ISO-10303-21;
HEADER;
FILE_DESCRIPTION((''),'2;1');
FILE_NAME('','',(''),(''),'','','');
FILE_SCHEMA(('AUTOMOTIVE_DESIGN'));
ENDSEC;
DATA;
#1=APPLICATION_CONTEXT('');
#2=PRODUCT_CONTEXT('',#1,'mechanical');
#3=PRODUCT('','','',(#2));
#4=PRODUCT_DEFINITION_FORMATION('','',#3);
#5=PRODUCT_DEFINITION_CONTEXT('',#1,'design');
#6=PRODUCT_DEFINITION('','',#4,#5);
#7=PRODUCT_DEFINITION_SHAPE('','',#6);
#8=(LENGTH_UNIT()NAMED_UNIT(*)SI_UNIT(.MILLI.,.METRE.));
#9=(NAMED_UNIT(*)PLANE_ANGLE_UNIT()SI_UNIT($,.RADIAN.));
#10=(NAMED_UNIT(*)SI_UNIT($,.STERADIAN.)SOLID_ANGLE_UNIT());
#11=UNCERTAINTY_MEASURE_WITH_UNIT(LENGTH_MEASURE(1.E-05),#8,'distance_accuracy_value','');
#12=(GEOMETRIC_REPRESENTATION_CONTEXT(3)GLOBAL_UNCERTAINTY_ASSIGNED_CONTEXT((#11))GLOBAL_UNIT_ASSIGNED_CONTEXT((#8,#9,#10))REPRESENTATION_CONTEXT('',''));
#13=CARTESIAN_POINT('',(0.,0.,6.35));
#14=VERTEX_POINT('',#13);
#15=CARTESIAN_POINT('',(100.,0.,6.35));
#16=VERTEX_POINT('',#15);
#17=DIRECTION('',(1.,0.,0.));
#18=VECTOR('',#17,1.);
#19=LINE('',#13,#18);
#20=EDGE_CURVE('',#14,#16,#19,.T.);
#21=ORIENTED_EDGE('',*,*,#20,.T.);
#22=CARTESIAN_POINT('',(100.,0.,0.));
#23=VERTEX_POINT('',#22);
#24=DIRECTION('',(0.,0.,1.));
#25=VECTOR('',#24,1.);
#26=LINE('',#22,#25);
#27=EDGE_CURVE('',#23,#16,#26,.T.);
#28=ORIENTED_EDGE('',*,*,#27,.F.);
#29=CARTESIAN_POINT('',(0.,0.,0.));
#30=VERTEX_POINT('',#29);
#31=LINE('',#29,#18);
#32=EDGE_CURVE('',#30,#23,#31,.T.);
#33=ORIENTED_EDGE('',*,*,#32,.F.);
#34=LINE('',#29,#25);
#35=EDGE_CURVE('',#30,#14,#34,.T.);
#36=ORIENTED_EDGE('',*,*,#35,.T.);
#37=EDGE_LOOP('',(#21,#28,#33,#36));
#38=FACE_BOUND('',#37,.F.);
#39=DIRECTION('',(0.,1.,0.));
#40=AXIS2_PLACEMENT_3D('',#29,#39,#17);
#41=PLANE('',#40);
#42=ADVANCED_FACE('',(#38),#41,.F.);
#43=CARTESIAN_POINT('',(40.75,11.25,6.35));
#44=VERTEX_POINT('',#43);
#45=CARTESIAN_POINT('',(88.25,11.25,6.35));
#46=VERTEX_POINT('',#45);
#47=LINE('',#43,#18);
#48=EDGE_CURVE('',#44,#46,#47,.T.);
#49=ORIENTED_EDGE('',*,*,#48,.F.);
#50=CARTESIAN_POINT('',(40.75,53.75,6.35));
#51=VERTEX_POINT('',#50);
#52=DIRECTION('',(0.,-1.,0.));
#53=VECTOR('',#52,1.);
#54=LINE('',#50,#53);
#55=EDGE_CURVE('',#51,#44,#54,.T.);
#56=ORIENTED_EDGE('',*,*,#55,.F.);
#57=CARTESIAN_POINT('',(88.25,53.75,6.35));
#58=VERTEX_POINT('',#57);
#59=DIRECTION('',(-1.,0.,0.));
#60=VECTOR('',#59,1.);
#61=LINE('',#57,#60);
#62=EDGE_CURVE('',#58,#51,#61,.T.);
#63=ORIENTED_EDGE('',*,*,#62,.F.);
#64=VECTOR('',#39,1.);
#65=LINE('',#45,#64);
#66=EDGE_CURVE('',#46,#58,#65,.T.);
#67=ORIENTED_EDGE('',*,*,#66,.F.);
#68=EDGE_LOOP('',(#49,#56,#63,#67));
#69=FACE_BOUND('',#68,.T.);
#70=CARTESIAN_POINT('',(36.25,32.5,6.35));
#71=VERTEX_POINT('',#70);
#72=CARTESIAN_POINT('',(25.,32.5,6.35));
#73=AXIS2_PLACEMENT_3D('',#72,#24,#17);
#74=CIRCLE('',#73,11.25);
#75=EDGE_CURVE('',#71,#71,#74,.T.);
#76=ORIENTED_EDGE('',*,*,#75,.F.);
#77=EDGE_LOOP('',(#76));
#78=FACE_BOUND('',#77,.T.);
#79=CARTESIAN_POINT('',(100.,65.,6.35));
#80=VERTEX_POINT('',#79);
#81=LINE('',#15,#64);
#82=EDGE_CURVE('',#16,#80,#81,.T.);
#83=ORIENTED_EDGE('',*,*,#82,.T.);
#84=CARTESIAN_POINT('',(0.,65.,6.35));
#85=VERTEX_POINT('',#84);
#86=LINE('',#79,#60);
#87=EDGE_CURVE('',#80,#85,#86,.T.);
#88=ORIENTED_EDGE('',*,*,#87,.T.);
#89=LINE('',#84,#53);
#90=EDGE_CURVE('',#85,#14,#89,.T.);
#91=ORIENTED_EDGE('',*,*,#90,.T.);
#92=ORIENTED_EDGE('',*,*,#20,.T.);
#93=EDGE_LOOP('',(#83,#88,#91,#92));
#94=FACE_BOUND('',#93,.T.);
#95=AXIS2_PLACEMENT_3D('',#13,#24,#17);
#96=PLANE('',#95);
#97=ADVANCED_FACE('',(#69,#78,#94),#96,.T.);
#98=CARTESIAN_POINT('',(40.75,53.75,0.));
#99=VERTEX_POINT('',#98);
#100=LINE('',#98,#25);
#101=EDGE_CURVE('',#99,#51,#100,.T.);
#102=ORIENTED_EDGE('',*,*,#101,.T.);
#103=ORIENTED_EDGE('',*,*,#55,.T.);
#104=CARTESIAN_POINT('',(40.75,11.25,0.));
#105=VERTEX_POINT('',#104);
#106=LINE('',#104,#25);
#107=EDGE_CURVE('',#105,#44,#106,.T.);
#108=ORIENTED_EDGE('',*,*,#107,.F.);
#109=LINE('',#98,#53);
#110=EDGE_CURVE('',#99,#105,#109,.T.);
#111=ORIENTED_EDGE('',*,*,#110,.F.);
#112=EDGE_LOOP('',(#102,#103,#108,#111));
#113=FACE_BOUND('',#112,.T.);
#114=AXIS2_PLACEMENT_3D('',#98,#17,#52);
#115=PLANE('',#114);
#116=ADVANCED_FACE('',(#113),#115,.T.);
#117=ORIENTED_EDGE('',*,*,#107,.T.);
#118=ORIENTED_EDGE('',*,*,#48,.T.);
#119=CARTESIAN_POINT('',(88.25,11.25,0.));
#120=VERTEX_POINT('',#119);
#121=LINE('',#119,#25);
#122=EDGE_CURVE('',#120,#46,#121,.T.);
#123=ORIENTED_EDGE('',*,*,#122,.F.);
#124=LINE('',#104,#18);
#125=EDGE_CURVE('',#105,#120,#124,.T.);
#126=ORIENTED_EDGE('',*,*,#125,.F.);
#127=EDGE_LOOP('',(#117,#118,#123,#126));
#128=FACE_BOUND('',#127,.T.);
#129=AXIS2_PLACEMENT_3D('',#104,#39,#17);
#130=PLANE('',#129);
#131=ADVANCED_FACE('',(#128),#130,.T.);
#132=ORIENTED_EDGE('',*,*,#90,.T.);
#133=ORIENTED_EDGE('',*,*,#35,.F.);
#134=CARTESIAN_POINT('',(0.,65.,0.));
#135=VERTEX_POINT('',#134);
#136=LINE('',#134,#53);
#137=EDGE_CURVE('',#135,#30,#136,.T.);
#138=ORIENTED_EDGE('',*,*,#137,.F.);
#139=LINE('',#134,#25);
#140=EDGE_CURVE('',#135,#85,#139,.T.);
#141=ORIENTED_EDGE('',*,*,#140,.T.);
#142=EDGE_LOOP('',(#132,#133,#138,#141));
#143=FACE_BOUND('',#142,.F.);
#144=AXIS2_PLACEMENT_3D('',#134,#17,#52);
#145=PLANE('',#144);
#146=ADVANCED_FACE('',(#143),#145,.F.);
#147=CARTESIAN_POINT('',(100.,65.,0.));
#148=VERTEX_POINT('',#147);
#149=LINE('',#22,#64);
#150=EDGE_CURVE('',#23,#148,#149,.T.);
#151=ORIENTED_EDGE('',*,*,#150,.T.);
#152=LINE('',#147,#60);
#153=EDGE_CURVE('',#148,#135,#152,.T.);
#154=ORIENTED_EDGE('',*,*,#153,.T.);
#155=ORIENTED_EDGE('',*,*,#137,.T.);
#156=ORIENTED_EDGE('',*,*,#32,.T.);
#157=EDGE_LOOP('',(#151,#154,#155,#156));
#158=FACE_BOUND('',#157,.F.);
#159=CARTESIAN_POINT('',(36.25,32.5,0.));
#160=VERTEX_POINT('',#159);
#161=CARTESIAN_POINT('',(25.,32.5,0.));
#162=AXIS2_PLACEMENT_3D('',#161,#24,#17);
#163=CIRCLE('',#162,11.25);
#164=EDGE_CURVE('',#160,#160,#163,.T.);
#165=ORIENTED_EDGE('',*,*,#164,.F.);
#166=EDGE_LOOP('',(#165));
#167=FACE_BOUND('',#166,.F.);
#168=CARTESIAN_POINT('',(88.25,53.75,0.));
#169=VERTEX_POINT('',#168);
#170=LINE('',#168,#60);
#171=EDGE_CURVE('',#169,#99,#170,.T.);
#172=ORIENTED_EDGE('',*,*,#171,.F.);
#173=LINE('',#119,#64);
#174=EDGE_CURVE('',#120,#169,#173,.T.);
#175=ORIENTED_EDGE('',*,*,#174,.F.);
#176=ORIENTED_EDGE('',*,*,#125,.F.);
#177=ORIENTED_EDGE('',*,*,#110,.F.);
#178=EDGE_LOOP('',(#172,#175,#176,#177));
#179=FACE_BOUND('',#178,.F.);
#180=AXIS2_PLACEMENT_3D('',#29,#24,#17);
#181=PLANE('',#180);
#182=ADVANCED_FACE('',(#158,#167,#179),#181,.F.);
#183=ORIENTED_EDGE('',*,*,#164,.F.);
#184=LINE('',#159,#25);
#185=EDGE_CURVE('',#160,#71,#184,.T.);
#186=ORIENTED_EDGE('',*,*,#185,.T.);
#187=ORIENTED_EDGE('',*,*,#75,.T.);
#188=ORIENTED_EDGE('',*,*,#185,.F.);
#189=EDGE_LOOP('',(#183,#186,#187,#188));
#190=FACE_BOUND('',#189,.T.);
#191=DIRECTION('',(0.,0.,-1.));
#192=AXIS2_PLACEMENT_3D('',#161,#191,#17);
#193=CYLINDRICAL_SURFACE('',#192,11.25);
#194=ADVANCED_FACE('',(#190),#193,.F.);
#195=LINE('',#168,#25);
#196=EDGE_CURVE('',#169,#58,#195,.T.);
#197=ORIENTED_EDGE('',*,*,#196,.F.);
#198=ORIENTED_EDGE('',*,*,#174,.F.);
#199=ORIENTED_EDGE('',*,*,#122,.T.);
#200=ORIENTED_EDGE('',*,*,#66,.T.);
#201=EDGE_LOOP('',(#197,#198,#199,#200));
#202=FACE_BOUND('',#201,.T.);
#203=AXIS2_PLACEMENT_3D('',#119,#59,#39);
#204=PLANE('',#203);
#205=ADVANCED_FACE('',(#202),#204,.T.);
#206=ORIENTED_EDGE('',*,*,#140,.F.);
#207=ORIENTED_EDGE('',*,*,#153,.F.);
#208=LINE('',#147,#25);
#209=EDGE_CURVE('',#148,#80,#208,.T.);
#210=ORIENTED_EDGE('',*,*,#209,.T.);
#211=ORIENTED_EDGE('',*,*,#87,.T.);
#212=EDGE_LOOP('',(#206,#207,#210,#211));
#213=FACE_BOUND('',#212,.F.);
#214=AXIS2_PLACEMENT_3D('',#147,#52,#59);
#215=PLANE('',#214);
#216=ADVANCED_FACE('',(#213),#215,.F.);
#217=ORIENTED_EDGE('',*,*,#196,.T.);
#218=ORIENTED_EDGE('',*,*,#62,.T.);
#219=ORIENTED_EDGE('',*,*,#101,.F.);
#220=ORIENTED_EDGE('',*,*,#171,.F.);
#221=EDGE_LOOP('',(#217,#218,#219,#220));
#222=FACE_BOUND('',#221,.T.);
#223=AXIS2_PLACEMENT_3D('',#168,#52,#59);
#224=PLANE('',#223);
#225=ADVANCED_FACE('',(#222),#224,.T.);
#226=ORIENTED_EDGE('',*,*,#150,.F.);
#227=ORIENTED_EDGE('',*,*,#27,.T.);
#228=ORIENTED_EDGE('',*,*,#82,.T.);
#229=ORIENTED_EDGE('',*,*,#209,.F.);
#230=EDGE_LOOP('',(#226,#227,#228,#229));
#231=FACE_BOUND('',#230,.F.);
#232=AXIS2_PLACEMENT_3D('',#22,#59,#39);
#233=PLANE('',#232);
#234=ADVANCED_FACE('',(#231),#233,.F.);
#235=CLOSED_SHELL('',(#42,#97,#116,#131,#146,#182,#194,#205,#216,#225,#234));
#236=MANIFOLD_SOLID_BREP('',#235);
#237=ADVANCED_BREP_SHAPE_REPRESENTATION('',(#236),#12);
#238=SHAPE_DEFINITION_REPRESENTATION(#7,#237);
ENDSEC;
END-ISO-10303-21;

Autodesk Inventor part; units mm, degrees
ref_plane "YZ Plane" through (0, 0, 0) normal (1, 0, 0) x (0, 1, 0)
ref_plane "XZ Plane" through (0, 0, 0) normal (0, 1, 0) x (-1, 0, 0)
ref_plane "XY Plane" through (0, 0, 0) normal (0, 0, 1) x (1, 0, 0)
sketch "Sketch1" plane through (0, 0, 0) normal (0, 0, 1) x (1, 0, 0)
  line L0 (0, 0) -> (100, 0)
  line L1 (100, 0) -> (100, 65)
  line L2 (100, 65) -> (0, 65)
  line L3 (0, 65) -> (0, 0)
  line L4 (88.25, 53.75) -> (40.75, 53.75)
  line L5 (40.75, 53.75) -> (40.75, 11.25)
  line L6 (40.75, 11.25) -> (88.25, 11.25)
  line L7 (88.25, 11.25) -> (88.25, 53.75)
  circle A0 centre (25, 32.5) radius 11.25
  point P0 (88.25, 32.5)
  point P1 (100, 32.5)
  point P2 (64.5, 53.75)
  dimension "d0" = 65
  dimension "d1" = 100
  dimension "d2" = 47.5
  dimension "d3" = 42.5
  dimension "d4" = 35.5
  dimension "d5" = 75
  dimension "d6" = 22.5
extrude "Extrusion1" add sketch "Sketch1" along normal blind 6.35
equation "\"d7\" = THICKB"
equation "\"THICKA\" = 3.175"
equation "\"THICKB\" = 6.35"
equation "\"THICKC\" = 12.7"
properties part number "WoodD_Extruder_Side_Hole"
